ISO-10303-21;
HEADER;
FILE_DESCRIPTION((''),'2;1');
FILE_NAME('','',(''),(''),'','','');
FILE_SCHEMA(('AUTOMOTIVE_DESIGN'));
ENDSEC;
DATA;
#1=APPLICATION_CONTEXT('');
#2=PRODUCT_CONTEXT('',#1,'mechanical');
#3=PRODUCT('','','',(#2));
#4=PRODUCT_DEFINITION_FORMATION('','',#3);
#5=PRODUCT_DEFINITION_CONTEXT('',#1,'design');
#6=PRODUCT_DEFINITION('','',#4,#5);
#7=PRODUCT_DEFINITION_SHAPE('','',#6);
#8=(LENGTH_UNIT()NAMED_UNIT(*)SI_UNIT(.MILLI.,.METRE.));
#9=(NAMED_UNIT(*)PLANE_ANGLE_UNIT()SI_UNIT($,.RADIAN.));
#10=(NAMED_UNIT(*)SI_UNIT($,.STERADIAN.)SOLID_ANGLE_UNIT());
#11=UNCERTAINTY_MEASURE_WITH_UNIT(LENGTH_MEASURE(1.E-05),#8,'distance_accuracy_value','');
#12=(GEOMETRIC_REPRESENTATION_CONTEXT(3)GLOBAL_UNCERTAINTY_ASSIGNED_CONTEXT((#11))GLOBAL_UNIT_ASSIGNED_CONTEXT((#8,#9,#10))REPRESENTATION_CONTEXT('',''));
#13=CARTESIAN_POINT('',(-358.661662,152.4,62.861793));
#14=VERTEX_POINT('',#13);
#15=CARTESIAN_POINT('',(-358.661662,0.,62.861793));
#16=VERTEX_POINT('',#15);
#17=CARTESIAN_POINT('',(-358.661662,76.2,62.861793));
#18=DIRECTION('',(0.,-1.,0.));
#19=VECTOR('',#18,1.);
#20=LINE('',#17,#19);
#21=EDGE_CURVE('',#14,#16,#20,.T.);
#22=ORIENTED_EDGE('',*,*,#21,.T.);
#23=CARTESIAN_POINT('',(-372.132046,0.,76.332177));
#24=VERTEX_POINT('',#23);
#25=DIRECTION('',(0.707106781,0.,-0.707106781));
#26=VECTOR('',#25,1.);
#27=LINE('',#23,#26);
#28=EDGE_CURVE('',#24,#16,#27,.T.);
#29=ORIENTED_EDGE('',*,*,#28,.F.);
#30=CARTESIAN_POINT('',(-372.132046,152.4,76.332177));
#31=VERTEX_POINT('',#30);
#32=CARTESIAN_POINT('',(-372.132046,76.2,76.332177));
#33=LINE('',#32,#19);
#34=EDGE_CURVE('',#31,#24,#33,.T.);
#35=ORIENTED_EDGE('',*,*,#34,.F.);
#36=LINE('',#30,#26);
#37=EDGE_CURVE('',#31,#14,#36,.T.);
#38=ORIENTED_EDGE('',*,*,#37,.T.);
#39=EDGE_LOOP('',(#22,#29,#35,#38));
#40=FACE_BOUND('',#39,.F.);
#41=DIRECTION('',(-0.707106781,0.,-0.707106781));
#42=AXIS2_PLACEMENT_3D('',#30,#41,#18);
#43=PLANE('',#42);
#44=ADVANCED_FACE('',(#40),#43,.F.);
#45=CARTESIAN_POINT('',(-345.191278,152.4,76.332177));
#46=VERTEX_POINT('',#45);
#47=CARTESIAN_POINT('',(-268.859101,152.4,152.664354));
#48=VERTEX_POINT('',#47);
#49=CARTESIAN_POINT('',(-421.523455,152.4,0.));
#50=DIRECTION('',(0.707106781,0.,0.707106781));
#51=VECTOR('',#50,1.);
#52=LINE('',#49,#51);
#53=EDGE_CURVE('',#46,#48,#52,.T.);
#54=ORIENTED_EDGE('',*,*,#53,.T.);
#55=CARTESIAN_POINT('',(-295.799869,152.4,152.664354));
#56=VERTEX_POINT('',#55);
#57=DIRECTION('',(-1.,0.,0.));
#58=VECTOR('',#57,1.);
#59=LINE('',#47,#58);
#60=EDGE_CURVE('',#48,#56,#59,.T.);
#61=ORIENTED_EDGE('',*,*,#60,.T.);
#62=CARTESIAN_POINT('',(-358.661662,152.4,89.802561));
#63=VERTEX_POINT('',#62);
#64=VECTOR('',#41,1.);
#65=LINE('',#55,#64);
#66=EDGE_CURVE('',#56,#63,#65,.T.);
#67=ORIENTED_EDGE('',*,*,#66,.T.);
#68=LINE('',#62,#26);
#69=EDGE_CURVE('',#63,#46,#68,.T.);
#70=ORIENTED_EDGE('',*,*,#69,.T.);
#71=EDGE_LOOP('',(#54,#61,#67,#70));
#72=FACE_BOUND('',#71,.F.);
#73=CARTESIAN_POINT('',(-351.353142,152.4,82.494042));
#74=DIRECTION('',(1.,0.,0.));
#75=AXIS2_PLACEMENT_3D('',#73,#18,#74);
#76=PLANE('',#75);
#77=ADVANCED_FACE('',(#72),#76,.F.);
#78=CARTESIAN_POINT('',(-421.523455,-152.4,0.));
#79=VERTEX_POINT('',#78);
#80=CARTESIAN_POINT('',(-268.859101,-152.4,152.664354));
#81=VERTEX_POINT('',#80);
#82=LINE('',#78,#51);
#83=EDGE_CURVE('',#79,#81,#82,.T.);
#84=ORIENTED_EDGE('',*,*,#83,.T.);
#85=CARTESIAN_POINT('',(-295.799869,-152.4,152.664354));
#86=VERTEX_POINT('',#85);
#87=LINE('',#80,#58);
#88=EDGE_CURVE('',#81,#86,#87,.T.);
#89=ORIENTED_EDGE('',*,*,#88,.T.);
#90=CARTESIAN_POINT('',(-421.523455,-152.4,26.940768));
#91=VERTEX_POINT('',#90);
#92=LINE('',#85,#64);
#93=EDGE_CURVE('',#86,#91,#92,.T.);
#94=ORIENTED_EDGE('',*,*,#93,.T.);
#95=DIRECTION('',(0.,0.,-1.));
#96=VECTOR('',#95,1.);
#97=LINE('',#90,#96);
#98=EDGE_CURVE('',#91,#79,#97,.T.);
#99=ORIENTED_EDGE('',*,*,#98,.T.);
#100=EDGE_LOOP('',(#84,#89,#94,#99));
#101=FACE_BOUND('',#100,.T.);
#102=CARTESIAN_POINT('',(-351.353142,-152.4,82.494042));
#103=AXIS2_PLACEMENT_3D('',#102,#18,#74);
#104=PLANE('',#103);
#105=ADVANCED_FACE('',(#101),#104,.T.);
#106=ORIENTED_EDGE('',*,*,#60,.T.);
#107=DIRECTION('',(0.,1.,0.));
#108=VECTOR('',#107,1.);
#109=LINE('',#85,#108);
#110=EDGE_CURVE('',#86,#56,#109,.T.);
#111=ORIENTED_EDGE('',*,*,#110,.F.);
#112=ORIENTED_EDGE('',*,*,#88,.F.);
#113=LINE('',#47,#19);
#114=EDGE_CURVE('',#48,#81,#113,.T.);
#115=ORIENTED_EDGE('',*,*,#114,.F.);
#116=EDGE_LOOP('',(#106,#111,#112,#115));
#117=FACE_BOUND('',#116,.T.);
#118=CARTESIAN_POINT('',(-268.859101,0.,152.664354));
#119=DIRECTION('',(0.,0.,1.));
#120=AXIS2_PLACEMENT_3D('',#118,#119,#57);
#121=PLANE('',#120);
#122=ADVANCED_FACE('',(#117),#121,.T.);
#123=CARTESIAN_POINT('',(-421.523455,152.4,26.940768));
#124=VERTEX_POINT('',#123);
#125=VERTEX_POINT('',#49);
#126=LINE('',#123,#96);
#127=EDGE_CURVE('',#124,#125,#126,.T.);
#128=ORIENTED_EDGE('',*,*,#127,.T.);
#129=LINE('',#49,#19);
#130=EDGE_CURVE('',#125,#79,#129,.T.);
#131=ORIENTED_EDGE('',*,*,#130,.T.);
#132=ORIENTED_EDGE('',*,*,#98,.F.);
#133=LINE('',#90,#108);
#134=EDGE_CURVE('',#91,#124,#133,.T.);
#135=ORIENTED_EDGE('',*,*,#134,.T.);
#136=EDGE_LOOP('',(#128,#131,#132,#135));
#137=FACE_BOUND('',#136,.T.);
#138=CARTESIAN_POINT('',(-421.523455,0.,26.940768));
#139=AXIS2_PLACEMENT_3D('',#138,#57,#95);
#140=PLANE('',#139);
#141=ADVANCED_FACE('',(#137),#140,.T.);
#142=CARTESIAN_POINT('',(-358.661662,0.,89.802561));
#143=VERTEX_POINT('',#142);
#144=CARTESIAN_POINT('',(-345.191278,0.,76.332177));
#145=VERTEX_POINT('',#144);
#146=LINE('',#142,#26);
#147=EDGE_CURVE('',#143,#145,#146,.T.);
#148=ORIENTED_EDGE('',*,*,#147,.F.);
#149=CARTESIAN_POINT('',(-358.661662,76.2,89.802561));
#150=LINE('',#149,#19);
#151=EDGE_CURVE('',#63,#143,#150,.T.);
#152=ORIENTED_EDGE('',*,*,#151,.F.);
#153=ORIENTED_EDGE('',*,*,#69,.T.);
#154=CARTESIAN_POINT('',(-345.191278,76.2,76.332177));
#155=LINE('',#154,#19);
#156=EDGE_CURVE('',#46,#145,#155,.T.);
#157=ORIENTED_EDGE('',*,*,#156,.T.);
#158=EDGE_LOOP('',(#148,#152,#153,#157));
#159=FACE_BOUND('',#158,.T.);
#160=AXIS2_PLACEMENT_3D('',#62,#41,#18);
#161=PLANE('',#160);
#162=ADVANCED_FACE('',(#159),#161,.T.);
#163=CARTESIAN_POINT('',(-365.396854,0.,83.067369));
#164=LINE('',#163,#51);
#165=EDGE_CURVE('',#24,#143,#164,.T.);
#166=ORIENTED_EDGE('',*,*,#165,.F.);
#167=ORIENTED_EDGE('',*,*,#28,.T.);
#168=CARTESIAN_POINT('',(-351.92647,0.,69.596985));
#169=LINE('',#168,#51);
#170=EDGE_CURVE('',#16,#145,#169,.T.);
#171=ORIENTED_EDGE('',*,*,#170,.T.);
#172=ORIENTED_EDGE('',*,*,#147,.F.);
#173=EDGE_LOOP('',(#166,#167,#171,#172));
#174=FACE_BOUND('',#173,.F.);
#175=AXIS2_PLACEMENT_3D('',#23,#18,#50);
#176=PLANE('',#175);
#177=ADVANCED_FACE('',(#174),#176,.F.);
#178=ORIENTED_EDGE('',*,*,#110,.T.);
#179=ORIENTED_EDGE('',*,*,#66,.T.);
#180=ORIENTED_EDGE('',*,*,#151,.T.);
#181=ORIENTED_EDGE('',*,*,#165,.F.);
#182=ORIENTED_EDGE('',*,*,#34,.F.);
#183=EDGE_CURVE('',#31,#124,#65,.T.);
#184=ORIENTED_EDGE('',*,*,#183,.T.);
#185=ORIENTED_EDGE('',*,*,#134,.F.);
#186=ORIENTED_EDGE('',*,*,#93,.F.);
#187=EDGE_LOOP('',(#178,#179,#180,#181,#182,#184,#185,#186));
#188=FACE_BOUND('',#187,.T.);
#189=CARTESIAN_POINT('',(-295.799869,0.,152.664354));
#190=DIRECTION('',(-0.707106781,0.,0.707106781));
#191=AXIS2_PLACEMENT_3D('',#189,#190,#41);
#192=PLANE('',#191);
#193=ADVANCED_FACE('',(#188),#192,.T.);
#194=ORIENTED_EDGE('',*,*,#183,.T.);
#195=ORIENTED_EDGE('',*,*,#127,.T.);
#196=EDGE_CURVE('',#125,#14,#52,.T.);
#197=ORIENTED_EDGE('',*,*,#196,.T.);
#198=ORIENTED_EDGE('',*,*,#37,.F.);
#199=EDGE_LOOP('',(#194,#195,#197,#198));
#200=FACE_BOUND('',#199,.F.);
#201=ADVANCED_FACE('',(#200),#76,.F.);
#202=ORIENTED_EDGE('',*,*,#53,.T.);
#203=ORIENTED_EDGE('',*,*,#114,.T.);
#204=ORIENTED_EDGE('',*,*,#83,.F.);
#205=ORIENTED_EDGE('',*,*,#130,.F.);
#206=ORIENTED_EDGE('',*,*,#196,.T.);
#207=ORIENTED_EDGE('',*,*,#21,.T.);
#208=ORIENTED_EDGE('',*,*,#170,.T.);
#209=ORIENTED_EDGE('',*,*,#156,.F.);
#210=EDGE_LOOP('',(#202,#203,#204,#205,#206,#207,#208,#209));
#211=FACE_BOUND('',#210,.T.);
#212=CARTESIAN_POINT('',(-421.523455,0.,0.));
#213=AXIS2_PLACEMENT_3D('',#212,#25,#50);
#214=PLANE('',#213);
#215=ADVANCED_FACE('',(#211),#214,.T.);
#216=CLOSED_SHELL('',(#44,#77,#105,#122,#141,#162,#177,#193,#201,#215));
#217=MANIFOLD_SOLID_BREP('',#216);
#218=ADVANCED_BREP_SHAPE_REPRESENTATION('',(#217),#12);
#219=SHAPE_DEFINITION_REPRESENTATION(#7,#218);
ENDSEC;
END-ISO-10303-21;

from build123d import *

# Parameters (mm, degrees)
F1_DEPTH = 152.4
F2_W     = 152.4
F2_H     = 19.05
F3_DEPTH = 19.05


with BuildPart() as f1:
    # F0 (on Front) → F1 (new body, symmetric)
    with BuildSketch(Plane.XZ):
        Polygon((-421.5234547212, 26.9407683632), (-421.5234547212, 0), (-268.859100663, 152.6643540582), (-295.7998690262, 152.6643540582), align=None)
    extrude(amount=F1_DEPTH, both=True)

    # F2 (on face) → F3 (cut)
    with BuildSketch(Plane(origin=(-224.2321115422, 0, 224.2321115422), x_dir=(0, -1, 0), z_dir=(-0.7071067812, 0, 0.7071067812))):
        with Locations((-76.2, -199.6370932625)):
            Rectangle(F2_W, F2_H)
    extrude(amount=-F3_DEPTH, mode=Mode.SUBTRACT)


solid = f1.part
